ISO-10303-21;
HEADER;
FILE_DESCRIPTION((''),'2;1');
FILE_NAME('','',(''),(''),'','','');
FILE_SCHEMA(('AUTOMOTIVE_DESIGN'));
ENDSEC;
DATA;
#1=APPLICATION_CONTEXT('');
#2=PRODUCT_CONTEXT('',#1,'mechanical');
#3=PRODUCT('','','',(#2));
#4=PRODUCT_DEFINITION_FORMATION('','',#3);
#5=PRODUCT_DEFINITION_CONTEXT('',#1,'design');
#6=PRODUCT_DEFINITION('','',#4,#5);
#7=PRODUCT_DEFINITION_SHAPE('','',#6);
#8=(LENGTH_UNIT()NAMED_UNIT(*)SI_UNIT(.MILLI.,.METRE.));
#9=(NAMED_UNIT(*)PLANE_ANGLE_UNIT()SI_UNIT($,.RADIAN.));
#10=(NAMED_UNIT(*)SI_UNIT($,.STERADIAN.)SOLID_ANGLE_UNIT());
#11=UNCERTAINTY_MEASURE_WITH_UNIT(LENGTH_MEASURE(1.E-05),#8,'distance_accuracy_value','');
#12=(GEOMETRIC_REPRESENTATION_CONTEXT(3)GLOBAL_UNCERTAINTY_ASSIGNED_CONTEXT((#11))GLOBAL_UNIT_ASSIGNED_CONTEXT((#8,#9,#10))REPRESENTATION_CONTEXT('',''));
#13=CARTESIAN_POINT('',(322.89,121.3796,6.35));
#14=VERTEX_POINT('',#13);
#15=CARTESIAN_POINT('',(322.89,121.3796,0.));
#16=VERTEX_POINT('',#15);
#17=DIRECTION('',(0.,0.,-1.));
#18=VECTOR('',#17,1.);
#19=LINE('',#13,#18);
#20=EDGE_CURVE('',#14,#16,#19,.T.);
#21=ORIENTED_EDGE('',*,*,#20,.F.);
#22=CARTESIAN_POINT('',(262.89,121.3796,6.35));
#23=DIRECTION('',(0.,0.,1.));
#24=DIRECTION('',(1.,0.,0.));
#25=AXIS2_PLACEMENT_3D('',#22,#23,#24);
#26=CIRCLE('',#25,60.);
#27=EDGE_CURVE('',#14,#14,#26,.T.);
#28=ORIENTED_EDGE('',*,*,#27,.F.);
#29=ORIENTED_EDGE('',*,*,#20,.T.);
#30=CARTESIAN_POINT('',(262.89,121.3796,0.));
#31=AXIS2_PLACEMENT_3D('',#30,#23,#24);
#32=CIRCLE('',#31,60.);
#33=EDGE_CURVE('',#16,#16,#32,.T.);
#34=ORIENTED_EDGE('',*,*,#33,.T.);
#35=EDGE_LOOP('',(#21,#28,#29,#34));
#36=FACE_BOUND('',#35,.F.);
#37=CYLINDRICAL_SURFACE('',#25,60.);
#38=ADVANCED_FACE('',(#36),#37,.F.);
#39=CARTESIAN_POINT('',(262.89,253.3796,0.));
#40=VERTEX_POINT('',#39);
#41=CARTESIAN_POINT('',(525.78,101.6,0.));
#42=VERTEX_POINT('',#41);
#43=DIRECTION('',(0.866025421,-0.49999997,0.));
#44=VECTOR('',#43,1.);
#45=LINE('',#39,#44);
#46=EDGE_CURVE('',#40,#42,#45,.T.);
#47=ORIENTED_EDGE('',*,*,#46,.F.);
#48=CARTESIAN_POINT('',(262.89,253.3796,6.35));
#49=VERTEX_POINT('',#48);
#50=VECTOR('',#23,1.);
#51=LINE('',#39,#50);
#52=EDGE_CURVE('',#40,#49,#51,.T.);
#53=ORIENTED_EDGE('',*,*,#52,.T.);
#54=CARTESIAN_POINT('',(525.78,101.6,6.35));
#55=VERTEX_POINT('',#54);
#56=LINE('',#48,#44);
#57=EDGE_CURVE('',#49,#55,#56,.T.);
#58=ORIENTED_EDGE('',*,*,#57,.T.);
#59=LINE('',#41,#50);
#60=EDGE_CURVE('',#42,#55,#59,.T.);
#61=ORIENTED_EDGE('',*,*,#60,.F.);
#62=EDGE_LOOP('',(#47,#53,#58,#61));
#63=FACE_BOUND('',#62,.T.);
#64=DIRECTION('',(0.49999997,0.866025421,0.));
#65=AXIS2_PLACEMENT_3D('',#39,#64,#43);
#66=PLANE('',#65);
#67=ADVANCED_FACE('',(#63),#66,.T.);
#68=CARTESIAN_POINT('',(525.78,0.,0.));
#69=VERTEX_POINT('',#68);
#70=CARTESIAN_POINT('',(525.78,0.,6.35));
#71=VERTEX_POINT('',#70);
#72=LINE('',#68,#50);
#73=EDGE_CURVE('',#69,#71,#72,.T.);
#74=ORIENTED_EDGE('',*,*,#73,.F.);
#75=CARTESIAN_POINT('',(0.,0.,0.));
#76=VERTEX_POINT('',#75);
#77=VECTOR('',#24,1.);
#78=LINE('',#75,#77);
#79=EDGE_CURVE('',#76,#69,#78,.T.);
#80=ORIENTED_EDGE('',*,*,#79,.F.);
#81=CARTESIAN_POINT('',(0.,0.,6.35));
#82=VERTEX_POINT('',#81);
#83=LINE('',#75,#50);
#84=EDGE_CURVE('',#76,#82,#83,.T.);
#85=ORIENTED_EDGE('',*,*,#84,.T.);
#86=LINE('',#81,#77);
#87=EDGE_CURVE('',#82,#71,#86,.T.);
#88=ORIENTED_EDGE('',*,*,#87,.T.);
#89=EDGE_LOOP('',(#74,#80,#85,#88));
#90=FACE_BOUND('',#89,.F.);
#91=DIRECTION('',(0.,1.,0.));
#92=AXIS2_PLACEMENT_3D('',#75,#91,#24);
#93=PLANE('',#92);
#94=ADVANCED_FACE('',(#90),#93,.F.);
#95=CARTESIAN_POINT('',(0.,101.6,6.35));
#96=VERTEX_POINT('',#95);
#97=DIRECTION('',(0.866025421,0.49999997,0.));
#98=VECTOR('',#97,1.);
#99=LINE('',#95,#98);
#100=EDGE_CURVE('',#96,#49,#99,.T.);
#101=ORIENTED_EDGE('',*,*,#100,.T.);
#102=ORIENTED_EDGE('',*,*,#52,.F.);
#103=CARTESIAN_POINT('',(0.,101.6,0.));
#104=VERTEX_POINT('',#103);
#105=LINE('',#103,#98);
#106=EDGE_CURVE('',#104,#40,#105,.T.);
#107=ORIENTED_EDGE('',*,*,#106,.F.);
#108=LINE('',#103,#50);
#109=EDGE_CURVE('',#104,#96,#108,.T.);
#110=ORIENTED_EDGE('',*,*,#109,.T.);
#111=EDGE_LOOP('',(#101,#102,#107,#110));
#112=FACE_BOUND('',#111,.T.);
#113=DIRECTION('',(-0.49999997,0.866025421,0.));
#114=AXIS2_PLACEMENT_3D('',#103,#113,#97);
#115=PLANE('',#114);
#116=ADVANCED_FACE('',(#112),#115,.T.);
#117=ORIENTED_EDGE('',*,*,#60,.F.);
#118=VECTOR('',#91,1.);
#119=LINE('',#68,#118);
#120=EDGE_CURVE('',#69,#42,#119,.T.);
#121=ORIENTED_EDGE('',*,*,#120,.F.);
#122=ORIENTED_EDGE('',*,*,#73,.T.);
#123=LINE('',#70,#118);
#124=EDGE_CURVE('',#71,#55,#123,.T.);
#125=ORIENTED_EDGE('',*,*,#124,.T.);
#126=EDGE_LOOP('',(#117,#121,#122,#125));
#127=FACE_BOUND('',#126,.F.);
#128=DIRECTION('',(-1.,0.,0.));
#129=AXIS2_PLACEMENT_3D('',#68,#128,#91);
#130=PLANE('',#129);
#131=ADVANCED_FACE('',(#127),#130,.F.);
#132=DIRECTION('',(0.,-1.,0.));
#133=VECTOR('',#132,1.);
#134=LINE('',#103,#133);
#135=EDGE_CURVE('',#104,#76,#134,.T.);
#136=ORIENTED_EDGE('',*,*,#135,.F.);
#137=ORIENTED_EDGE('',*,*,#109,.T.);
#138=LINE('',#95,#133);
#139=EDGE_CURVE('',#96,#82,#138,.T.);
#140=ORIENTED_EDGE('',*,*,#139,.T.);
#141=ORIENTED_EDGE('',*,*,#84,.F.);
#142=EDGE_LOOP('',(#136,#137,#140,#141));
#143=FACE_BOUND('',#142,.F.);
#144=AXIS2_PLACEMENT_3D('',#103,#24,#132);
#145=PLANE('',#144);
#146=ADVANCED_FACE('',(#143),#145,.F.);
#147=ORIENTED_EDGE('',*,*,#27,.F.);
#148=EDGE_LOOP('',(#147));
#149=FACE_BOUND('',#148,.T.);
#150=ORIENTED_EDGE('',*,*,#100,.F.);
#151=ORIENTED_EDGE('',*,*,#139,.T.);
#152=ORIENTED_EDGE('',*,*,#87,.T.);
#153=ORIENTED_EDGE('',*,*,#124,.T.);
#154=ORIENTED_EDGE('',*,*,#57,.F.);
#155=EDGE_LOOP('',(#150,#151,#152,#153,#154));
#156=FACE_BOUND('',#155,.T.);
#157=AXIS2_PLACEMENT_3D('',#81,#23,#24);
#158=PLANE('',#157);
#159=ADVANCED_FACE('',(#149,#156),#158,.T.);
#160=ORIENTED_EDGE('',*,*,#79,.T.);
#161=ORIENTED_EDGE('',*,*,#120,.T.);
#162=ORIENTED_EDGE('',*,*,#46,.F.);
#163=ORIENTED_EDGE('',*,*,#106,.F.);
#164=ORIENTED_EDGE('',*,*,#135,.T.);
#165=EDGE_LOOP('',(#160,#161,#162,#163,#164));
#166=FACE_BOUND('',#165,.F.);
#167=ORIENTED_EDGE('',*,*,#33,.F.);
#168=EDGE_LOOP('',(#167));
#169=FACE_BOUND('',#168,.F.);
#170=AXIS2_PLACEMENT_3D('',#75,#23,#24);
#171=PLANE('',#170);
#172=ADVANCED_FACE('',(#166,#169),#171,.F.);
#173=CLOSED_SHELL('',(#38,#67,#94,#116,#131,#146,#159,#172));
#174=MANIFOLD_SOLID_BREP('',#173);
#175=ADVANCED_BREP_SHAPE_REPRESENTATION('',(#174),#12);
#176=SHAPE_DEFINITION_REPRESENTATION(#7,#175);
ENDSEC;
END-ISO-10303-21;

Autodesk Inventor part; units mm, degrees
ref_plane "YZ Plane" through (0, 0, 0) normal (1, 0, 0) x (0, 1, 0)
ref_plane "XZ Plane" through (0, 0, 0) normal (0, 1, 0) x (-1, 0, 0)
ref_plane "XY Plane" through (0, 0, 0) normal (0, 0, 1) x (1, 0, 0)
sketch "Sketch1" plane through (0, 0, 0) normal (0, 0, 1) x (1, 0, 0)
  line L0 (0, 0) -> (525.78, 0)
  line L1 (525.78, 0) -> (525.78, 101.6)
  line L2 (525.78, 101.6) -> (0, 101.6)
  line L3 (0, 101.6) -> (0, 0)
  line L4 (0, 101.6) -> (262.89, 253.3796)
  line L5 (262.89, 253.3796) -> (525.78, 101.6)
  point P0 (262.89, 101.6)
  dimension "d0" = 525.78
  dimension "d1" = 101.6
  dimension "d2" = 30
extrude "Extrusion1" add sketch "Sketch1" along normal blind 6.35
sketch "Sketch7" plane through (0, 0, 6.35) normal (0, 0, 1) x (1, 0, 0)
  circle A0 centre (262.89, 121.3796) radius 60
  point P0 (0, 0)
  point P1 (262.89, 253.3796)
  dimension "d26" = 120
  dimension "d30" = 132
extrude "Extrusion7" cut sketch "Sketch7" against normal through all
properties part number "BA10" material "ABS Plastic"
